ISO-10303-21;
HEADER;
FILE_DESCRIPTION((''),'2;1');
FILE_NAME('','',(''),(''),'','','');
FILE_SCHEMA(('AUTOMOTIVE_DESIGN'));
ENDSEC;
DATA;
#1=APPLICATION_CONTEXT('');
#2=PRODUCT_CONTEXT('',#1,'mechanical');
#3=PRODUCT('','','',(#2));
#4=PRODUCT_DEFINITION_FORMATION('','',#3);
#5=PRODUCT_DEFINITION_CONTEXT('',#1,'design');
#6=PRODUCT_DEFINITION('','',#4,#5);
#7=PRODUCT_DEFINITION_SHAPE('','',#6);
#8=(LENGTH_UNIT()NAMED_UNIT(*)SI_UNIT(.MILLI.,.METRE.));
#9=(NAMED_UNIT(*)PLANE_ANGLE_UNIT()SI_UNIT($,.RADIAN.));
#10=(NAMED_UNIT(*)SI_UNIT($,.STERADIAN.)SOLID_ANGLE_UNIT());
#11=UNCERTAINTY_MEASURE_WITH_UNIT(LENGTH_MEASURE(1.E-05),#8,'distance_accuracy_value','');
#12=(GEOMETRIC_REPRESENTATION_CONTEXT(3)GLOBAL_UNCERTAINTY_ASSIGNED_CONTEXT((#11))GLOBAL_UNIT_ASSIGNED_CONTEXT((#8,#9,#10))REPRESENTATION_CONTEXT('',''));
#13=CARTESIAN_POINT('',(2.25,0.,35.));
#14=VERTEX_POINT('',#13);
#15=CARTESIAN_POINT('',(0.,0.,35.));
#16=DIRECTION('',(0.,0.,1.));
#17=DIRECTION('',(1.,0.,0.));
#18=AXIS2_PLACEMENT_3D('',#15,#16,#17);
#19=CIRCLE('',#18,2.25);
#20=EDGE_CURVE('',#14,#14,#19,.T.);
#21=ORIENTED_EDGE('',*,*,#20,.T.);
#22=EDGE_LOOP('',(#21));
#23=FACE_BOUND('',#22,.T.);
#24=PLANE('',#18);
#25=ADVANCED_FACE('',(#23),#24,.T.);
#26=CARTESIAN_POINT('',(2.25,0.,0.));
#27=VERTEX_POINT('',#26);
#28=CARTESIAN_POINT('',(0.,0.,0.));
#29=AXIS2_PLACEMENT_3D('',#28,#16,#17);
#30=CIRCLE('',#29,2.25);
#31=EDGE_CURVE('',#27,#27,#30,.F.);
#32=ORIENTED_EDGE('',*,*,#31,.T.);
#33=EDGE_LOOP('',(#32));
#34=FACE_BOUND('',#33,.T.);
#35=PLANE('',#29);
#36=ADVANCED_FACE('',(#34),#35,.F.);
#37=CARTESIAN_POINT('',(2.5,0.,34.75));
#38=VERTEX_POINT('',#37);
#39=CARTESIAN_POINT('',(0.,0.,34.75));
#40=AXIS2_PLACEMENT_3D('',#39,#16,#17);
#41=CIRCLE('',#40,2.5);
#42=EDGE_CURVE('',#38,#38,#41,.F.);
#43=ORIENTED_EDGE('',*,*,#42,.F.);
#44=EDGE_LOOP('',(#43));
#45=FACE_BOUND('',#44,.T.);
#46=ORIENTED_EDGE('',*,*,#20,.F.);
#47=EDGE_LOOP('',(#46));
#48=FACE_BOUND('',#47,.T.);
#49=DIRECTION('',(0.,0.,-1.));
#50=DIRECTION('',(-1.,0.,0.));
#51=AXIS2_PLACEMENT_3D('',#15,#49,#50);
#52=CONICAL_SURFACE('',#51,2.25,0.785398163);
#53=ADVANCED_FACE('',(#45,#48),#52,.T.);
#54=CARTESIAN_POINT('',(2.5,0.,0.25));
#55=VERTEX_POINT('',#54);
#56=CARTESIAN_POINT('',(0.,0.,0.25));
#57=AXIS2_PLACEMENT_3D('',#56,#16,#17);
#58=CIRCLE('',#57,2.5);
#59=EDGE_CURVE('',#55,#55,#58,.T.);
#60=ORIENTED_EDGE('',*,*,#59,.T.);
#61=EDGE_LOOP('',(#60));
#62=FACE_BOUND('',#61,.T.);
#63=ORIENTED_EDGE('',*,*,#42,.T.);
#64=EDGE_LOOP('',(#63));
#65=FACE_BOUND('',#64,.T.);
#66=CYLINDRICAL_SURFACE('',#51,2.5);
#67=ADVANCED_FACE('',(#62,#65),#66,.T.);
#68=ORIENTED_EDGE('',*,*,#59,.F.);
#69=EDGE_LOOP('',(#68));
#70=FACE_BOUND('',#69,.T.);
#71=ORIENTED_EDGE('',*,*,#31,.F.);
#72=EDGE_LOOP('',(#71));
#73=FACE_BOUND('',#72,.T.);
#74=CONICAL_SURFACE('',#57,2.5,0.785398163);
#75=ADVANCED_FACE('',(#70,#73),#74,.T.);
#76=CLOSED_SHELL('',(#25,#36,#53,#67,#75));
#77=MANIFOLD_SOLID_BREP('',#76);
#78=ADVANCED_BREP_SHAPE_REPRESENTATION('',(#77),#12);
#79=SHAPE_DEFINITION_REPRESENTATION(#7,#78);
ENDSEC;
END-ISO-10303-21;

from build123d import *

# Parameters (mm, degrees)
SKETCH1_R           = 2.5
BOSS_EXTRUDE1_DEPTH = 35
CHAMFER1_SIZE       = 0.25


with BuildPart() as part:
    # Sketch1 → Boss-Extrude1 (new body)
    with BuildSketch(Plane.XY):
        Circle(SKETCH1_R)
    extrude(amount=BOSS_EXTRUDE1_DEPTH)

    # Chamfer1
    chamfer1_edges = [part.edges().sort_by_distance(p)[0] for p in [
        (-2.5, 0, 0),
        (-2.5, 0, 35),
    ]]
    chamfer(chamfer1_edges, length=CHAMFER1_SIZE)


solid = part.part
